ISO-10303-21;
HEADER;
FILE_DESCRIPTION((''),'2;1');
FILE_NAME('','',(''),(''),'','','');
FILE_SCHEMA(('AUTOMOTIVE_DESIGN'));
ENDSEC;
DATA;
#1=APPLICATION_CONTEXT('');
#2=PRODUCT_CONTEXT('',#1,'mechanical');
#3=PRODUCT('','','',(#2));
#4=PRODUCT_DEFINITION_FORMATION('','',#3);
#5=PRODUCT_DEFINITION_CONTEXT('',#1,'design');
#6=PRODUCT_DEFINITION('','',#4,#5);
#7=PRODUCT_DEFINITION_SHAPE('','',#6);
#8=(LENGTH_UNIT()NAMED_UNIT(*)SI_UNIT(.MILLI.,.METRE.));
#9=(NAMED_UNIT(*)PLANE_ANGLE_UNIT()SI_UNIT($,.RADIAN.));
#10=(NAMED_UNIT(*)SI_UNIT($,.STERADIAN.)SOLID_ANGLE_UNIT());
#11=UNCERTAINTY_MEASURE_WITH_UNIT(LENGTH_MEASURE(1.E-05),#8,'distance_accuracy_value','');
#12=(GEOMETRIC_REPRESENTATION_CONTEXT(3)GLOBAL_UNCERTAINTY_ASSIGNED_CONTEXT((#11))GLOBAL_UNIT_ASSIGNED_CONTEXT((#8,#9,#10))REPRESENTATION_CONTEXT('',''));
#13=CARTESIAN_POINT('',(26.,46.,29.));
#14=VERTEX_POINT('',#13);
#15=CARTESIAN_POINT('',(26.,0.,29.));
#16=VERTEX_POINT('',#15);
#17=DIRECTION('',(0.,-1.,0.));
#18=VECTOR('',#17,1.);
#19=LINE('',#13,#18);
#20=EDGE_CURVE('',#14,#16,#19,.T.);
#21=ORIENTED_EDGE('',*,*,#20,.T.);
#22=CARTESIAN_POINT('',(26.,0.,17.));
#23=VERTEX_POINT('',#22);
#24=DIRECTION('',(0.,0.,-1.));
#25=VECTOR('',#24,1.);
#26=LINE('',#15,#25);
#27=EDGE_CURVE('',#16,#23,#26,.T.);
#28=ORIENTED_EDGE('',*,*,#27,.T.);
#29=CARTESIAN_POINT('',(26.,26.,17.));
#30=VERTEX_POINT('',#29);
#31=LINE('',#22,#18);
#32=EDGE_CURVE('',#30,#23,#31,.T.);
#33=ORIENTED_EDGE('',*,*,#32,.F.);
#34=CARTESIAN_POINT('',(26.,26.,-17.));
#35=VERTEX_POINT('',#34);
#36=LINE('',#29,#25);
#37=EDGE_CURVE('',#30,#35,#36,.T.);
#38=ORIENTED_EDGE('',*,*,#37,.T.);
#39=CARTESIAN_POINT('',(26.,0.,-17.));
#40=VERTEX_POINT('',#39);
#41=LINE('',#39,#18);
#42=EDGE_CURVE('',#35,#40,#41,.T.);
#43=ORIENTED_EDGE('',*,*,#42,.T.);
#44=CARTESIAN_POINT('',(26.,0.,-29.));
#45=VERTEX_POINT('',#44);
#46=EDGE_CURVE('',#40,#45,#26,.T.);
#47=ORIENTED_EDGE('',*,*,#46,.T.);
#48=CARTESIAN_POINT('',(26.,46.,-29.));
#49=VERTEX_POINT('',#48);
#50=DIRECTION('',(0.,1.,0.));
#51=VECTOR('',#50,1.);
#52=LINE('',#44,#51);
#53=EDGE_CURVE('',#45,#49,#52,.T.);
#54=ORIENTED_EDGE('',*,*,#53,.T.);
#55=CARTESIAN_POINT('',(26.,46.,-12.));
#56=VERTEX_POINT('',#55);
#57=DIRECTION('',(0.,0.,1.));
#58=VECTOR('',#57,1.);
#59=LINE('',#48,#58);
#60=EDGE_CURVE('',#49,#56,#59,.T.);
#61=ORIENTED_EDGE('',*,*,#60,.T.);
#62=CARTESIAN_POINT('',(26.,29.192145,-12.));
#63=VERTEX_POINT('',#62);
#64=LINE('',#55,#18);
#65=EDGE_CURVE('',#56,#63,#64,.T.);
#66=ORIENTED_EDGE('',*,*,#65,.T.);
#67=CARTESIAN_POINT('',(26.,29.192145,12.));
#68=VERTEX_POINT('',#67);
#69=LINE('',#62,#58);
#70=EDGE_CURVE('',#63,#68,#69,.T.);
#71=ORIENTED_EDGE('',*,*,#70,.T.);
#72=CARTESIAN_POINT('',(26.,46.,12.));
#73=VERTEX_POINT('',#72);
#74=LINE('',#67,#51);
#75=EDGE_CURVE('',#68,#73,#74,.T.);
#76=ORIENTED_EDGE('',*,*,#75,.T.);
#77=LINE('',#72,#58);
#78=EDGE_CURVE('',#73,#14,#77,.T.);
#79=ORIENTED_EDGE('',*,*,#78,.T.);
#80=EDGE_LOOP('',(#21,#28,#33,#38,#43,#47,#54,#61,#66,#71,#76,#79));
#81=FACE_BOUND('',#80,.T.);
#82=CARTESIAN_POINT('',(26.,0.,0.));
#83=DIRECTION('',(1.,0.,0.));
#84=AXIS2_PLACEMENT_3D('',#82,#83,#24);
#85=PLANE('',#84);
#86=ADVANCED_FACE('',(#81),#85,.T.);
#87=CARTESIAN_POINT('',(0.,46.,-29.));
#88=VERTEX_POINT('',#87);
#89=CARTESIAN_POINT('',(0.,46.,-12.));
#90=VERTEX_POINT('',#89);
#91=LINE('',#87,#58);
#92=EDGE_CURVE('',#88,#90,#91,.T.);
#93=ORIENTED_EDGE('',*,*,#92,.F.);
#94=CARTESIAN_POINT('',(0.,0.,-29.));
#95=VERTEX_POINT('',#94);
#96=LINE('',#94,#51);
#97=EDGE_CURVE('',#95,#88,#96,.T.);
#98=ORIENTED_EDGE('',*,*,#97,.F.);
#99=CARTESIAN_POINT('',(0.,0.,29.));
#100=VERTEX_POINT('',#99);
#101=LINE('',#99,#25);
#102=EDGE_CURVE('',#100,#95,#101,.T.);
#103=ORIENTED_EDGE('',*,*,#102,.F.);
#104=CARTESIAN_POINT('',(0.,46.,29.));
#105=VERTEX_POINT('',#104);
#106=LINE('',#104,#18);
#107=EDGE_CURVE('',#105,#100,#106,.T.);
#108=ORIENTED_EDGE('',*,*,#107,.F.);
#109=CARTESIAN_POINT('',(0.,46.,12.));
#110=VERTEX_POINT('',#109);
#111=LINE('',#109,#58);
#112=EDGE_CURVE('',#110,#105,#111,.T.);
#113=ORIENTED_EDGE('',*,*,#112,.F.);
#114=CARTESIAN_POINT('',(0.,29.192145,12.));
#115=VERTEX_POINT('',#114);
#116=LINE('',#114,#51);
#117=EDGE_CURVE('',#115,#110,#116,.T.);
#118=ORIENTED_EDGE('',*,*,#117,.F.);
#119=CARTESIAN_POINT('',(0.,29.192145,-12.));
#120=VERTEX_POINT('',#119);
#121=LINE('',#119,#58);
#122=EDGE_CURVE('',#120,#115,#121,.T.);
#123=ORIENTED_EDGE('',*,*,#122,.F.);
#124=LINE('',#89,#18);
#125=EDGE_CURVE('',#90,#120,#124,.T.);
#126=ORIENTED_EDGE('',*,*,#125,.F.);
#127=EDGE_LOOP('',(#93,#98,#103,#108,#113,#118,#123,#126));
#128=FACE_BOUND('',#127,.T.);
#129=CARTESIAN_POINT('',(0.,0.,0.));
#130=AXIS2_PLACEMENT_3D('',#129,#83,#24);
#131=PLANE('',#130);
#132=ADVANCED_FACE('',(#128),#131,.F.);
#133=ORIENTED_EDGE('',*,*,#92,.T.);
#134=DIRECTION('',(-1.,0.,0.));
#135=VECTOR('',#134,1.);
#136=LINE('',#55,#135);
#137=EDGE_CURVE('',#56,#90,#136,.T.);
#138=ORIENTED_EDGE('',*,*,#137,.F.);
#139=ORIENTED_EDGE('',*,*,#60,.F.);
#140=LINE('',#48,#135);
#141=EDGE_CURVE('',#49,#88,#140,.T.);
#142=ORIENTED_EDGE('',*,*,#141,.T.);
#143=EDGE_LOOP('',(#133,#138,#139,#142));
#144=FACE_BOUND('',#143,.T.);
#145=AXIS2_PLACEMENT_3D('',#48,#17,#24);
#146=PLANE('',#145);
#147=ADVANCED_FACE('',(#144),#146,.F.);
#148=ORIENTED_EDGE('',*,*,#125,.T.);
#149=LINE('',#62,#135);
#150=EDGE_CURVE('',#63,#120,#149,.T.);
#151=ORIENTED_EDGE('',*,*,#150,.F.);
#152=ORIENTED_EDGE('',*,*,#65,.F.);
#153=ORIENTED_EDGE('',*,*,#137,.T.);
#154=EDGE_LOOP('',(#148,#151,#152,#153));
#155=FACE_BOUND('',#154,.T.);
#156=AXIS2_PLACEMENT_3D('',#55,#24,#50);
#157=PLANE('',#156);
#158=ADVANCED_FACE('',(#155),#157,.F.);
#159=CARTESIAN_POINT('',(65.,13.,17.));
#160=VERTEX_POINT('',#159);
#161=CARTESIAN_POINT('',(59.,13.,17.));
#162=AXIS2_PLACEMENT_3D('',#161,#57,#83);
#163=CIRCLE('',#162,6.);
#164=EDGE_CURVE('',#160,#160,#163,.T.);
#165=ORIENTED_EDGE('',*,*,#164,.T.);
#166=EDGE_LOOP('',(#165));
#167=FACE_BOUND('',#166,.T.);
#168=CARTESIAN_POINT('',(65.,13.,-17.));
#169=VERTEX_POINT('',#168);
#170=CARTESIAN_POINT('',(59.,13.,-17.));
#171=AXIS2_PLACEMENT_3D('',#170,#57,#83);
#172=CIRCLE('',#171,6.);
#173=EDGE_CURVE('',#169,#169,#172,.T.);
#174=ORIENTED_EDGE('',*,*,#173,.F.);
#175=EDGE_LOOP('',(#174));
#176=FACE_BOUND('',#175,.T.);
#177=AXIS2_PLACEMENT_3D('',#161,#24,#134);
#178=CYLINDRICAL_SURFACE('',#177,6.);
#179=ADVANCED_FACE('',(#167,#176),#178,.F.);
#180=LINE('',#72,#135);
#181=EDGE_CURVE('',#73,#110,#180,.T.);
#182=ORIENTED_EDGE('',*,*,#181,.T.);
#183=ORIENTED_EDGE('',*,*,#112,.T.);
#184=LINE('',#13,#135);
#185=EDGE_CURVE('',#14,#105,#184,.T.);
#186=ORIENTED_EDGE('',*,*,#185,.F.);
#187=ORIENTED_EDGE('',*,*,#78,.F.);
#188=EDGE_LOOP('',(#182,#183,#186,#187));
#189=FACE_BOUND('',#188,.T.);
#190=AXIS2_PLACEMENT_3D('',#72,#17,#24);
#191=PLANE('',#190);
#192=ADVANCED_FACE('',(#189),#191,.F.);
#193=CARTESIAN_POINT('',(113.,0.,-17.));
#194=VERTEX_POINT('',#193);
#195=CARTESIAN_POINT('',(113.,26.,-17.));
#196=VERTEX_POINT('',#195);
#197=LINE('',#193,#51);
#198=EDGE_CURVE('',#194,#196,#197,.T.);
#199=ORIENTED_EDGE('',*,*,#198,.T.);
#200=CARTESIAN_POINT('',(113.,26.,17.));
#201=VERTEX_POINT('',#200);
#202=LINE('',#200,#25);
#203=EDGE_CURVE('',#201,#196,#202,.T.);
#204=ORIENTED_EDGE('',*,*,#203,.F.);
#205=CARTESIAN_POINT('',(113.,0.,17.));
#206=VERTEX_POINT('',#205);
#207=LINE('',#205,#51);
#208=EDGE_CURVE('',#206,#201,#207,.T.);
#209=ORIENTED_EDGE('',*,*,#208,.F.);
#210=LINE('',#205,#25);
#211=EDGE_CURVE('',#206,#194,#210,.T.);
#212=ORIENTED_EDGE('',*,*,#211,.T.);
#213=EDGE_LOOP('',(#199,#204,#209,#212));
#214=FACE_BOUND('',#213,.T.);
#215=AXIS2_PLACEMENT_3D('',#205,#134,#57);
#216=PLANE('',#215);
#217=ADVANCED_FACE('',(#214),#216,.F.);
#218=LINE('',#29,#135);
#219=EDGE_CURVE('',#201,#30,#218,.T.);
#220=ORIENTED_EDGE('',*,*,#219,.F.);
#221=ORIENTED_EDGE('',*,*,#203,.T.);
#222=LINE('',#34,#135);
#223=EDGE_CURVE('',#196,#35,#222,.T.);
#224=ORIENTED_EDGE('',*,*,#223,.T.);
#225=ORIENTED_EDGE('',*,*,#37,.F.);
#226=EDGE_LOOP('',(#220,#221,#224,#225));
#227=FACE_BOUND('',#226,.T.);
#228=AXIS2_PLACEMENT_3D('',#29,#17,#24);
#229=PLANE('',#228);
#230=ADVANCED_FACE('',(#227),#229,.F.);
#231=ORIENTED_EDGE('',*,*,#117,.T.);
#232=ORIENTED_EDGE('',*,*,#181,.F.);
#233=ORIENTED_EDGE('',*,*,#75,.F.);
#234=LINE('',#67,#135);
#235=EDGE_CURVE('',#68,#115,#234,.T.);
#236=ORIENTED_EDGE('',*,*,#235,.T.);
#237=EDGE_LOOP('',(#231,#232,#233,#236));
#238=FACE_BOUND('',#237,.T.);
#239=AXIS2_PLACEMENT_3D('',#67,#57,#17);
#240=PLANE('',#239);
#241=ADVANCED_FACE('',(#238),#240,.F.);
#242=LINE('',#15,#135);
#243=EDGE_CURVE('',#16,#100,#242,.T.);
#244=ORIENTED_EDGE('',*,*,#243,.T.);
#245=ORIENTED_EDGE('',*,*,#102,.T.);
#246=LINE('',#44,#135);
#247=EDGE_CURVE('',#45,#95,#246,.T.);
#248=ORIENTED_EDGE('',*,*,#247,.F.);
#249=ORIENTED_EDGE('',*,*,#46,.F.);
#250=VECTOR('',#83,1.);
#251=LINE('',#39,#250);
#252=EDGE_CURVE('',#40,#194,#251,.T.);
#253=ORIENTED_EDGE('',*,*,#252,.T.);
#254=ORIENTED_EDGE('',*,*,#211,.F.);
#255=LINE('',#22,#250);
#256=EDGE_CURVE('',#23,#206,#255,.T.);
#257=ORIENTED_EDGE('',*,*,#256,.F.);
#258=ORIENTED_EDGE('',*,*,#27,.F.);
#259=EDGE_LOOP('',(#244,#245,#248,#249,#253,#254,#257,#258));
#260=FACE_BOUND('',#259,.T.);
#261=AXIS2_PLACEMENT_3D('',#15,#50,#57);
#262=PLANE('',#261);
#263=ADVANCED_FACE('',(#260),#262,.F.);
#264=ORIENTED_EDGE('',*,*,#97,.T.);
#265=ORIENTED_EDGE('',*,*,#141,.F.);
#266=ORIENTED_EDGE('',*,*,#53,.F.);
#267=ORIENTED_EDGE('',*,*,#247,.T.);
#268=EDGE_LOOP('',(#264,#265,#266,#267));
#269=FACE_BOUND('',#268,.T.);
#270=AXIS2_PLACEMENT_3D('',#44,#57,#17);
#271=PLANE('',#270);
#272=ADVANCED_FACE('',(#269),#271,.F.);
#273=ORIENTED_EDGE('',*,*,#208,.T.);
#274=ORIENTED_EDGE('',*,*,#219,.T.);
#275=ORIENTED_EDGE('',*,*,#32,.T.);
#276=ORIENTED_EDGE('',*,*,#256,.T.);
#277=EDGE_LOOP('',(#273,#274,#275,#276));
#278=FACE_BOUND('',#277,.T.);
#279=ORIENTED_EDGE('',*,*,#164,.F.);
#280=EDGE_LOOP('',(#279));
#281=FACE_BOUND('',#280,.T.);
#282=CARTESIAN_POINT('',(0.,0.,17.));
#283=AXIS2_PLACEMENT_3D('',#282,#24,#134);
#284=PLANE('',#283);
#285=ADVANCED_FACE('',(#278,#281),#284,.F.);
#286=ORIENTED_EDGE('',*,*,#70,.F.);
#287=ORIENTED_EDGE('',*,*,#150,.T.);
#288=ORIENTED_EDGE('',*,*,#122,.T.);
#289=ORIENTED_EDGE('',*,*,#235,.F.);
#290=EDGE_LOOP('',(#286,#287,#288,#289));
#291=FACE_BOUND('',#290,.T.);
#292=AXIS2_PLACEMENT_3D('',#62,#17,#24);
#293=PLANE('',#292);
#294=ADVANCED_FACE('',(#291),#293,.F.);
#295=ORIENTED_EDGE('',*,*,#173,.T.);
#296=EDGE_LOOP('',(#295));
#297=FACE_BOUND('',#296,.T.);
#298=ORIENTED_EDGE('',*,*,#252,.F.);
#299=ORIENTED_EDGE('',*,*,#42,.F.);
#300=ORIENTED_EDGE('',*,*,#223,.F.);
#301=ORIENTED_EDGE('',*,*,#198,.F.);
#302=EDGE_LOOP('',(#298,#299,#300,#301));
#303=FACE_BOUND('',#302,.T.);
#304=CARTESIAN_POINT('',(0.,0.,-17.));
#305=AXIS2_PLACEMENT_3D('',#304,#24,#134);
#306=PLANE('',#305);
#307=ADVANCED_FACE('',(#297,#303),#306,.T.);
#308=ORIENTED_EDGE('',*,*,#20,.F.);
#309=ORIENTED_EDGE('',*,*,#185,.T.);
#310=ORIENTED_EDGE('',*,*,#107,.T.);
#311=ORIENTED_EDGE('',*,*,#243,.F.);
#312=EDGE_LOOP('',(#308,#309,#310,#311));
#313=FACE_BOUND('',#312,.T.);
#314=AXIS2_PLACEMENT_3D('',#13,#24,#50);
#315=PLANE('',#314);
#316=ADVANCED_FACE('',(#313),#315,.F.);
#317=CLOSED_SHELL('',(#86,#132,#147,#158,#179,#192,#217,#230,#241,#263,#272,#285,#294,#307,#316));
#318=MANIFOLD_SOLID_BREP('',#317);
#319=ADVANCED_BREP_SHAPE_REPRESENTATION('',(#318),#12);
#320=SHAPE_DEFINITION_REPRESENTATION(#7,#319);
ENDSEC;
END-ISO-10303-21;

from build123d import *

# Parameters (mm, degrees)
EXTRUDE_1_DEPTH = 26
SKETCH_2_W      = 87
SKETCH_2_H      = 26
SKETCH_2_R      = 6
EXTRUDE_2_DEPTH = 17


with BuildPart() as part:
    # 스케치1 → 보스-돌출1 (new body)
    with BuildSketch(Plane(origin=(0, 0, 0), x_dir=(0, 0, -1), z_dir=(1, 0, 0))):
        Polygon((-29, 0), (29, 0), (29, 46), (12, 46), (12, 29.19214502), (-12, 29.19214502), (-12, 46), (-29, 46), align=None)
    extrude(amount=EXTRUDE_1_DEPTH)

    # 스케치2 → 보스-돌출2 (add, symmetric)
    with BuildSketch(Plane.XY):
        with Locations((69.5, 13)):
            Rectangle(SKETCH_2_W, SKETCH_2_H)
        with Locations((59, 13)):
            Circle(SKETCH_2_R, mode=Mode.SUBTRACT)
    extrude(amount=EXTRUDE_2_DEPTH, both=True)


solid = part.part
